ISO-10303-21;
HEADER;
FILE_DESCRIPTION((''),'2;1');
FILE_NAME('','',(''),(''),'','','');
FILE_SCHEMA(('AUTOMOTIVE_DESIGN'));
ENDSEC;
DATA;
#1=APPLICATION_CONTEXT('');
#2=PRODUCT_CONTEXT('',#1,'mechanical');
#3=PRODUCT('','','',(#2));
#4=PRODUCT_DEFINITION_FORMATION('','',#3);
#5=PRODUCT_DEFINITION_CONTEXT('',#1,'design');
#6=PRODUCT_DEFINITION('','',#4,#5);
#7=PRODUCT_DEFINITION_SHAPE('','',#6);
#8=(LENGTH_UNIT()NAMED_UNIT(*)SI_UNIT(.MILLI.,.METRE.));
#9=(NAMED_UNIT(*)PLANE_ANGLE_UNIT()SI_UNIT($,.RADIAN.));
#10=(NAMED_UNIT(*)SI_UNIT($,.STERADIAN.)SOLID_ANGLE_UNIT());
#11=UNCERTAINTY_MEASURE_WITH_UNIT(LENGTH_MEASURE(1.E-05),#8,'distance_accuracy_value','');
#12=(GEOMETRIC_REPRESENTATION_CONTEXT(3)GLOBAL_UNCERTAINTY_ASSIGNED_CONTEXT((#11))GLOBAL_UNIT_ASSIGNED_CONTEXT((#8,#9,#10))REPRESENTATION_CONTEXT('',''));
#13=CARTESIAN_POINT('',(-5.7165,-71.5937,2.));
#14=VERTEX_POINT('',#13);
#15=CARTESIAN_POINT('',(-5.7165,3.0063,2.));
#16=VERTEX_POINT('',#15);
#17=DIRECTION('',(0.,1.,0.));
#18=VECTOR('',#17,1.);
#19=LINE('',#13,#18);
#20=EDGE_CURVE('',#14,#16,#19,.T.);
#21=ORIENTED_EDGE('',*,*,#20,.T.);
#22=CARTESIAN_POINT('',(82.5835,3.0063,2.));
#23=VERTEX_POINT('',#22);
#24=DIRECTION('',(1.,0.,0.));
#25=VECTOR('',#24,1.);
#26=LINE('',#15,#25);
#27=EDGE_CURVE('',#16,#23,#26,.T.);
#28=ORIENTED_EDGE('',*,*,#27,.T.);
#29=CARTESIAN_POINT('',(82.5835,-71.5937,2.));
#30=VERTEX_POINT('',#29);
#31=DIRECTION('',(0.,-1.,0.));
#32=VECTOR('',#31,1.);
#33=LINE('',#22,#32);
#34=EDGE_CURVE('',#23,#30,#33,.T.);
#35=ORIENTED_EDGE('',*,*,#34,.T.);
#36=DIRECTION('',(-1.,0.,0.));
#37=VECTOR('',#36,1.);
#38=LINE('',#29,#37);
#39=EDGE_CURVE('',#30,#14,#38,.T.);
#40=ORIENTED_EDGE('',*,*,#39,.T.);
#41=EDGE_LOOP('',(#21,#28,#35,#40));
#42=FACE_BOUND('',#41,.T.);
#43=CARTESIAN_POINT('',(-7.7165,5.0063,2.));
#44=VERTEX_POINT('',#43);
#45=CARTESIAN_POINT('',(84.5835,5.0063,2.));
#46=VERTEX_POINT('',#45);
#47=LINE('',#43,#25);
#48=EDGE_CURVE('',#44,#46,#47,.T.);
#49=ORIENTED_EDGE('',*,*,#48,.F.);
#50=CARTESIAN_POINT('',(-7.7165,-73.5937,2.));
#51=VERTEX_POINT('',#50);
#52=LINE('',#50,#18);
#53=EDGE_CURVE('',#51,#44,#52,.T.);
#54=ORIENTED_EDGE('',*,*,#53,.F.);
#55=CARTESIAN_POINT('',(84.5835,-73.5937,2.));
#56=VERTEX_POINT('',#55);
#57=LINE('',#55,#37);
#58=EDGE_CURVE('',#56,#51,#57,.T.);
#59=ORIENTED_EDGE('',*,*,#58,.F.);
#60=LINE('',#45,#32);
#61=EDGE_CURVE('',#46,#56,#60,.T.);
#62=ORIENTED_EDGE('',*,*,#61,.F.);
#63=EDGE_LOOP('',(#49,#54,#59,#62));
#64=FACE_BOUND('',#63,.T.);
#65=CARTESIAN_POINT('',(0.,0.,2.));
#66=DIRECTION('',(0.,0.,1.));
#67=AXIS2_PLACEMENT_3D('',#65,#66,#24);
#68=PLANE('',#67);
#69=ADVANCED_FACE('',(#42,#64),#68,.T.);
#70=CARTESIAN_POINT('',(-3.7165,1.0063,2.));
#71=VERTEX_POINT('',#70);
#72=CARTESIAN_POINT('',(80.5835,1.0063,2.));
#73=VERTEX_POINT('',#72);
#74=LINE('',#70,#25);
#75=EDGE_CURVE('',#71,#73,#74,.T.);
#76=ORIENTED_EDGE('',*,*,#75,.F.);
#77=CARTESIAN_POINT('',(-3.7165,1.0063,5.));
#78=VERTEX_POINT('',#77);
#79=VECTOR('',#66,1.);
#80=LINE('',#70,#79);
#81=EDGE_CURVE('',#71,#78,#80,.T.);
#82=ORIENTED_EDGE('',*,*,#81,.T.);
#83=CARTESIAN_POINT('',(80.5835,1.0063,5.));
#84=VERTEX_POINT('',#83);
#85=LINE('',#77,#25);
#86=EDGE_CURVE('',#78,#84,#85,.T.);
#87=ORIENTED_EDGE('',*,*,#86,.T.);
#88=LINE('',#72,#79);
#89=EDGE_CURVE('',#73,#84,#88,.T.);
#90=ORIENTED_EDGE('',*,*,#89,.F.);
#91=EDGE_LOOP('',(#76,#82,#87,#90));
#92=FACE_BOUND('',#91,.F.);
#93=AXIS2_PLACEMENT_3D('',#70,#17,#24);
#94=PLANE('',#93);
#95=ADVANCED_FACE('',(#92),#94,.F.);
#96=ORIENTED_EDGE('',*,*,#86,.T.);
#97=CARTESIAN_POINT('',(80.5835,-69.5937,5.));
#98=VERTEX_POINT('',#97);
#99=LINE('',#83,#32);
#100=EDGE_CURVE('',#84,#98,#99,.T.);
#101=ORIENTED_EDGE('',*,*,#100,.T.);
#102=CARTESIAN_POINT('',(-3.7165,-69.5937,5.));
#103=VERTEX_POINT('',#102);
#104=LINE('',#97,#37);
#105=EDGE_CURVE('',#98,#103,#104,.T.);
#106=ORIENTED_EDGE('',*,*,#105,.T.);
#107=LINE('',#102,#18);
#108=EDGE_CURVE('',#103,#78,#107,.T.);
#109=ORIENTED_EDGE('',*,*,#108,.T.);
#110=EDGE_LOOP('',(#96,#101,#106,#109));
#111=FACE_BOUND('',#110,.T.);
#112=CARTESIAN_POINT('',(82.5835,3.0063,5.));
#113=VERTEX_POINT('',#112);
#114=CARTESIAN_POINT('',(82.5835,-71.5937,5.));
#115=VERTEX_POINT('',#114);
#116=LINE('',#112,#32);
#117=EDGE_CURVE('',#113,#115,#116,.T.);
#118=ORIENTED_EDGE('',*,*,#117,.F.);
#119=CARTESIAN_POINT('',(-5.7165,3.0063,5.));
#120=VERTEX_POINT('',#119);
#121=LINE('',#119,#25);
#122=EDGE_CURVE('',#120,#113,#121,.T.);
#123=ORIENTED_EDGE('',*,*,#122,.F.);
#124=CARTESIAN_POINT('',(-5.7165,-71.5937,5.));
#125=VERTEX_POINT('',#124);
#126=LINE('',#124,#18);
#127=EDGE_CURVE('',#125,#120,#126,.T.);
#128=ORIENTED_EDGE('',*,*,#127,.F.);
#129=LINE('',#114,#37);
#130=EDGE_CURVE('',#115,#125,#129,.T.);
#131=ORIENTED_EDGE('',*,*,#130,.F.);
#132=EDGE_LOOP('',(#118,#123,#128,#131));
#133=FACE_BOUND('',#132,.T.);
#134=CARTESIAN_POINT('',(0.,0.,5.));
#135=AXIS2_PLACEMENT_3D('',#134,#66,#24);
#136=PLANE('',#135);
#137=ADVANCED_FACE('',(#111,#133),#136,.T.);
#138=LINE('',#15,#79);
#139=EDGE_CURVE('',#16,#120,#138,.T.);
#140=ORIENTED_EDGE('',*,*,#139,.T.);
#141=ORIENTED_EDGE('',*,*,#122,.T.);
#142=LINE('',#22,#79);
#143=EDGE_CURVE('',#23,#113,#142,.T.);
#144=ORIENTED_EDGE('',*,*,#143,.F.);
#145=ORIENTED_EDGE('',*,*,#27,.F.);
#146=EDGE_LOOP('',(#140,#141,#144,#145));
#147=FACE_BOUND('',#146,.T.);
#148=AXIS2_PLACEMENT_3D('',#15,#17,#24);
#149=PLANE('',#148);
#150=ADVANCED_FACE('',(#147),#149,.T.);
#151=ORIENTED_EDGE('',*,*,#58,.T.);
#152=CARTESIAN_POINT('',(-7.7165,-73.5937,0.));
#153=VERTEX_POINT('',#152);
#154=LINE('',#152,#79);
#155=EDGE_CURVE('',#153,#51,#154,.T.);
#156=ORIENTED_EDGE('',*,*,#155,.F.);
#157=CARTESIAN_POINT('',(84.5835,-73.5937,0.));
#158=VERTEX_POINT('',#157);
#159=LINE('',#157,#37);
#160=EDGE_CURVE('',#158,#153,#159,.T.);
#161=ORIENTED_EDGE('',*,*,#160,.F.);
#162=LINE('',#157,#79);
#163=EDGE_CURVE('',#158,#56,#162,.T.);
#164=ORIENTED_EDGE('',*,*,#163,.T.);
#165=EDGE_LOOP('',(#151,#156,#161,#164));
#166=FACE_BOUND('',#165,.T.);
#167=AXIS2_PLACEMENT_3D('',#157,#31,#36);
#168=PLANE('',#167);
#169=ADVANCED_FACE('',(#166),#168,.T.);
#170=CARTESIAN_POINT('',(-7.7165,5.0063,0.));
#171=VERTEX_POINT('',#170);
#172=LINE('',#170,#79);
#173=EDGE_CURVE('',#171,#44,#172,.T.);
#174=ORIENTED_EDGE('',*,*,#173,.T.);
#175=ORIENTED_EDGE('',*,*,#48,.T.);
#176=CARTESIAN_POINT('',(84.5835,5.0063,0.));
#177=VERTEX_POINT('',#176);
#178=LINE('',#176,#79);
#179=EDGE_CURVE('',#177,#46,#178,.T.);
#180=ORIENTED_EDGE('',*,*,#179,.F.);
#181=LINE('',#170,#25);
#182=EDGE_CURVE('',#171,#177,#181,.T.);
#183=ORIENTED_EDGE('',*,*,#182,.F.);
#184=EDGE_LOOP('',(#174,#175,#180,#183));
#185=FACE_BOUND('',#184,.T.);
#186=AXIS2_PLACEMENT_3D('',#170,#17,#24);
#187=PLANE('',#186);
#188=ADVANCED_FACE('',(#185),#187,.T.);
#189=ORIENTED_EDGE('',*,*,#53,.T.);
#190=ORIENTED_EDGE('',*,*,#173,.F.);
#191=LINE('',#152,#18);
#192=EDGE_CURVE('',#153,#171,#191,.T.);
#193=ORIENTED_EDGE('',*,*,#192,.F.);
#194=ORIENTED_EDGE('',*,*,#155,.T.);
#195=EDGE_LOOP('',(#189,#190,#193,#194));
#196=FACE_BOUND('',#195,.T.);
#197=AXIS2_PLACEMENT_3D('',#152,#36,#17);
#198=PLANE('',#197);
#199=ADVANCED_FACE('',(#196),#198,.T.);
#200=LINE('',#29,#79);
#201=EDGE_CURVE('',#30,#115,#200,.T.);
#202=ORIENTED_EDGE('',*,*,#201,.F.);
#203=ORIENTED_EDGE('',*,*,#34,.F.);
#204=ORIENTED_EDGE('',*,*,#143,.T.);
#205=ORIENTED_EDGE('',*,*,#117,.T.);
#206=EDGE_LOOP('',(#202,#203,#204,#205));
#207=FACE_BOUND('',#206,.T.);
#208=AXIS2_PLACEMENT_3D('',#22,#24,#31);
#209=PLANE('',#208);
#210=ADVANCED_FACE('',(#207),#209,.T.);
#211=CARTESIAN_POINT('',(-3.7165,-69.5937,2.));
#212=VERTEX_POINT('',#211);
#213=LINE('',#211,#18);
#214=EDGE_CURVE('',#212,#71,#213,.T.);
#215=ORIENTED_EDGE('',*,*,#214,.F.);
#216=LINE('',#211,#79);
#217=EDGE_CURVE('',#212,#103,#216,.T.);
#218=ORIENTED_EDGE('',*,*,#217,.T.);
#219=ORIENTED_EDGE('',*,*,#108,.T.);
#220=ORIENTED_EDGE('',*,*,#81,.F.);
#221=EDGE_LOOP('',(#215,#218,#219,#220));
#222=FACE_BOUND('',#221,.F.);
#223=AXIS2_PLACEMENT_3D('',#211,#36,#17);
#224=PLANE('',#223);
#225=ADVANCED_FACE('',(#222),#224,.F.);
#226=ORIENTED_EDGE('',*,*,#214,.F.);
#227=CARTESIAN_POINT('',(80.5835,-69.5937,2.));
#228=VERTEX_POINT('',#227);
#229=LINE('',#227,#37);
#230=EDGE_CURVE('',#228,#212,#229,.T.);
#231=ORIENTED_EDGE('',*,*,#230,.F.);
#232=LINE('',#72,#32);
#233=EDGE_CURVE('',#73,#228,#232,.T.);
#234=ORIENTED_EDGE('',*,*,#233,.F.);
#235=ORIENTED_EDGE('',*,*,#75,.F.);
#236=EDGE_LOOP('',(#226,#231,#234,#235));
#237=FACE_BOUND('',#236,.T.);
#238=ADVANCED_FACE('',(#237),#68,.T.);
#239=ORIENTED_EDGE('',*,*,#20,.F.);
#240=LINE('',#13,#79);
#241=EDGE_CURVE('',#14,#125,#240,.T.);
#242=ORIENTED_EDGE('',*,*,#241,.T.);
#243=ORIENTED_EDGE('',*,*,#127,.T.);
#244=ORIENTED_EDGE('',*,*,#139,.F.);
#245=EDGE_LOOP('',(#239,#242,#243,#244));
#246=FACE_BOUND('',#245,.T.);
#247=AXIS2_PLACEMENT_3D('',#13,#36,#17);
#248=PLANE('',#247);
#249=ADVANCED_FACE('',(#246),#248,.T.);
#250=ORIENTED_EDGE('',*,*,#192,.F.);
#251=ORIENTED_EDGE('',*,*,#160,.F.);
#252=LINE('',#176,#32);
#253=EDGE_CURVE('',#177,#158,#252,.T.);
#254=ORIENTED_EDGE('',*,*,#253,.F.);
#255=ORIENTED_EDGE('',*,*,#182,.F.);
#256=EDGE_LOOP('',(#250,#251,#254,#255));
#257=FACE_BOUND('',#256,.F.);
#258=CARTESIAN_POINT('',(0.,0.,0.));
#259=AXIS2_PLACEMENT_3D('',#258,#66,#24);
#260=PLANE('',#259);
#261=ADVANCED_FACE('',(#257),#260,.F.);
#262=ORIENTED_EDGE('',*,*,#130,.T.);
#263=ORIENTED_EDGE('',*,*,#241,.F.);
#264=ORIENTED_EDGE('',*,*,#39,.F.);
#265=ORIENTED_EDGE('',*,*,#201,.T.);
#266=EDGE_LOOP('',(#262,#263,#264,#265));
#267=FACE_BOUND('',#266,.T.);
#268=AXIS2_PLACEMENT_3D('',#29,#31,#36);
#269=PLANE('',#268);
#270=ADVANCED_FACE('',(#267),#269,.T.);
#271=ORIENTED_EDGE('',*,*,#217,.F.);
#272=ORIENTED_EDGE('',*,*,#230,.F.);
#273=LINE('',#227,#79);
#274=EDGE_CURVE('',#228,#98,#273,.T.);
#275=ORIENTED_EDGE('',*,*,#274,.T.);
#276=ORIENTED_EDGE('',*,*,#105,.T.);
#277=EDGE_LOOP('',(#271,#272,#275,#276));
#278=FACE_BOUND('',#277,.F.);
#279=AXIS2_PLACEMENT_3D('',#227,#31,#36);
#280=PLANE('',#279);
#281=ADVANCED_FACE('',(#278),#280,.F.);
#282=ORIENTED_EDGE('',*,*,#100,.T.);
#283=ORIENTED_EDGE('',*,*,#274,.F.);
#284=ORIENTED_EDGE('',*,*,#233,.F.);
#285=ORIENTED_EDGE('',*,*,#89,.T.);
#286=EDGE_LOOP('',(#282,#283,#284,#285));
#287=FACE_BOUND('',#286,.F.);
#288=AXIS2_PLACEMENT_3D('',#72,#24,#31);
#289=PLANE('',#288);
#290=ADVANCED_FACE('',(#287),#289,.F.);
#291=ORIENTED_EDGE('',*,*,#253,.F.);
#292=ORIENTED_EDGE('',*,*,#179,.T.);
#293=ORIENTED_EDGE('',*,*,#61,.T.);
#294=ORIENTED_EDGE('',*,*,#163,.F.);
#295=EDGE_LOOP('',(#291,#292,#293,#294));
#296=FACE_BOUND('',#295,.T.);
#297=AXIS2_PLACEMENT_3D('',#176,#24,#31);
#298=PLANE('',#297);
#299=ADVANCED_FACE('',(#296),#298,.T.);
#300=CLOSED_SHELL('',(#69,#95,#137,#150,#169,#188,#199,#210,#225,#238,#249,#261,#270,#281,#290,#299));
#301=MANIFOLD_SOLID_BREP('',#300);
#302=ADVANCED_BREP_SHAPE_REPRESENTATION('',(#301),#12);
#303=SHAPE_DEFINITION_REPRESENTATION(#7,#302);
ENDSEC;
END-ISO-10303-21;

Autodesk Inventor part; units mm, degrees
ref_plane "YZ Plane" through (0, 0, 0) normal (1, 0, 0) x (0, 1, 0)
ref_plane "XZ Plane" through (0, 0, 0) normal (0, 1, 0) x (-1, 0, 0)
ref_plane "XY Plane" through (0, 0, 0) normal (0, 0, 1) x (1, 0, 0)
sketch "Sketch1" plane through (0, 0, 0) normal (0, 0, 1) x (1, 0, 0)
  line L0 (-7.7165, 5.0063) -> (84.5835, 5.0063)
  line L1 (84.5835, 5.0063) -> (84.5835, -73.5937)
  line L2 (84.5835, -73.5937) -> (-7.7165, -73.5937)
  line L3 (-7.7165, -73.5937) -> (-7.7165, 5.0063)
  point P0 (0, 0)
  dimension "d0" = 92.3
  dimension "d1" = 78.6
extrude "Extrusion1" add sketch "Sketch1" along normal blind 2
sketch "Sketch2" plane through (0, 0, 2) normal (0, 0, 1) x (1, 0, 0)
  line L0 (84.5835, 5.0063) -> (-7.7165, 5.0063) projected
  line L1 (-7.7165, 5.0063) -> (-7.7165, -73.5937) projected
  line L2 (-7.7165, -73.5937) -> (84.5835, -73.5937) projected
  line L3 (84.5835, -73.5937) -> (84.5835, 5.0063) projected
  line L4 (-5.7165, 3.0063) -> (82.5835, 3.0063)
  line L5 (82.5835, 3.0063) -> (82.5835, -71.5937)
  line L6 (82.5835, -71.5937) -> (-5.7165, -71.5937)
  line L7 (-5.7165, -71.5937) -> (-5.7165, 3.0063)
  line L8 (-3.7165, 1.0063) -> (80.5835, 1.0063)
  line L9 (80.5835, 1.0063) -> (80.5835, -69.5937)
  line L10 (80.5835, -69.5937) -> (-3.7165, -69.5937)
  line L11 (-3.7165, -69.5937) -> (-3.7165, 1.0063)
  line L12 (38.4335, 3.0063) -> (38.4335, 1.0063) construction
  line L13 (80.5835, -29.2) -> (82.5835, -29.2) construction
  line L14 (71.1302, 3.0063) -> (71.1302, 5.0063) construction
  line L15 (82.5835, -16.3714) -> (84.5835, -16.3714) construction
  line L16 (11.0323, -71.5937) -> (11.0323, -73.5937) construction
  line L17 (-5.7165, -42.5946) -> (-7.7165, -42.5946) construction
  line L18 (31.7844, -69.5937) -> (31.7844, -71.5937) construction
  line L19 (-3.7165, -29.2) -> (-5.7165, -29.2) construction
  point P0 (0, 0)
  dimension "d4" = 2
  dimension "d5" = 2
extrude "Extrusion2" add sketch "Sketch2" along normal blind 3 contours L4 L5 L6 L7
properties part number "Arduino SMB-BNC box lid"
